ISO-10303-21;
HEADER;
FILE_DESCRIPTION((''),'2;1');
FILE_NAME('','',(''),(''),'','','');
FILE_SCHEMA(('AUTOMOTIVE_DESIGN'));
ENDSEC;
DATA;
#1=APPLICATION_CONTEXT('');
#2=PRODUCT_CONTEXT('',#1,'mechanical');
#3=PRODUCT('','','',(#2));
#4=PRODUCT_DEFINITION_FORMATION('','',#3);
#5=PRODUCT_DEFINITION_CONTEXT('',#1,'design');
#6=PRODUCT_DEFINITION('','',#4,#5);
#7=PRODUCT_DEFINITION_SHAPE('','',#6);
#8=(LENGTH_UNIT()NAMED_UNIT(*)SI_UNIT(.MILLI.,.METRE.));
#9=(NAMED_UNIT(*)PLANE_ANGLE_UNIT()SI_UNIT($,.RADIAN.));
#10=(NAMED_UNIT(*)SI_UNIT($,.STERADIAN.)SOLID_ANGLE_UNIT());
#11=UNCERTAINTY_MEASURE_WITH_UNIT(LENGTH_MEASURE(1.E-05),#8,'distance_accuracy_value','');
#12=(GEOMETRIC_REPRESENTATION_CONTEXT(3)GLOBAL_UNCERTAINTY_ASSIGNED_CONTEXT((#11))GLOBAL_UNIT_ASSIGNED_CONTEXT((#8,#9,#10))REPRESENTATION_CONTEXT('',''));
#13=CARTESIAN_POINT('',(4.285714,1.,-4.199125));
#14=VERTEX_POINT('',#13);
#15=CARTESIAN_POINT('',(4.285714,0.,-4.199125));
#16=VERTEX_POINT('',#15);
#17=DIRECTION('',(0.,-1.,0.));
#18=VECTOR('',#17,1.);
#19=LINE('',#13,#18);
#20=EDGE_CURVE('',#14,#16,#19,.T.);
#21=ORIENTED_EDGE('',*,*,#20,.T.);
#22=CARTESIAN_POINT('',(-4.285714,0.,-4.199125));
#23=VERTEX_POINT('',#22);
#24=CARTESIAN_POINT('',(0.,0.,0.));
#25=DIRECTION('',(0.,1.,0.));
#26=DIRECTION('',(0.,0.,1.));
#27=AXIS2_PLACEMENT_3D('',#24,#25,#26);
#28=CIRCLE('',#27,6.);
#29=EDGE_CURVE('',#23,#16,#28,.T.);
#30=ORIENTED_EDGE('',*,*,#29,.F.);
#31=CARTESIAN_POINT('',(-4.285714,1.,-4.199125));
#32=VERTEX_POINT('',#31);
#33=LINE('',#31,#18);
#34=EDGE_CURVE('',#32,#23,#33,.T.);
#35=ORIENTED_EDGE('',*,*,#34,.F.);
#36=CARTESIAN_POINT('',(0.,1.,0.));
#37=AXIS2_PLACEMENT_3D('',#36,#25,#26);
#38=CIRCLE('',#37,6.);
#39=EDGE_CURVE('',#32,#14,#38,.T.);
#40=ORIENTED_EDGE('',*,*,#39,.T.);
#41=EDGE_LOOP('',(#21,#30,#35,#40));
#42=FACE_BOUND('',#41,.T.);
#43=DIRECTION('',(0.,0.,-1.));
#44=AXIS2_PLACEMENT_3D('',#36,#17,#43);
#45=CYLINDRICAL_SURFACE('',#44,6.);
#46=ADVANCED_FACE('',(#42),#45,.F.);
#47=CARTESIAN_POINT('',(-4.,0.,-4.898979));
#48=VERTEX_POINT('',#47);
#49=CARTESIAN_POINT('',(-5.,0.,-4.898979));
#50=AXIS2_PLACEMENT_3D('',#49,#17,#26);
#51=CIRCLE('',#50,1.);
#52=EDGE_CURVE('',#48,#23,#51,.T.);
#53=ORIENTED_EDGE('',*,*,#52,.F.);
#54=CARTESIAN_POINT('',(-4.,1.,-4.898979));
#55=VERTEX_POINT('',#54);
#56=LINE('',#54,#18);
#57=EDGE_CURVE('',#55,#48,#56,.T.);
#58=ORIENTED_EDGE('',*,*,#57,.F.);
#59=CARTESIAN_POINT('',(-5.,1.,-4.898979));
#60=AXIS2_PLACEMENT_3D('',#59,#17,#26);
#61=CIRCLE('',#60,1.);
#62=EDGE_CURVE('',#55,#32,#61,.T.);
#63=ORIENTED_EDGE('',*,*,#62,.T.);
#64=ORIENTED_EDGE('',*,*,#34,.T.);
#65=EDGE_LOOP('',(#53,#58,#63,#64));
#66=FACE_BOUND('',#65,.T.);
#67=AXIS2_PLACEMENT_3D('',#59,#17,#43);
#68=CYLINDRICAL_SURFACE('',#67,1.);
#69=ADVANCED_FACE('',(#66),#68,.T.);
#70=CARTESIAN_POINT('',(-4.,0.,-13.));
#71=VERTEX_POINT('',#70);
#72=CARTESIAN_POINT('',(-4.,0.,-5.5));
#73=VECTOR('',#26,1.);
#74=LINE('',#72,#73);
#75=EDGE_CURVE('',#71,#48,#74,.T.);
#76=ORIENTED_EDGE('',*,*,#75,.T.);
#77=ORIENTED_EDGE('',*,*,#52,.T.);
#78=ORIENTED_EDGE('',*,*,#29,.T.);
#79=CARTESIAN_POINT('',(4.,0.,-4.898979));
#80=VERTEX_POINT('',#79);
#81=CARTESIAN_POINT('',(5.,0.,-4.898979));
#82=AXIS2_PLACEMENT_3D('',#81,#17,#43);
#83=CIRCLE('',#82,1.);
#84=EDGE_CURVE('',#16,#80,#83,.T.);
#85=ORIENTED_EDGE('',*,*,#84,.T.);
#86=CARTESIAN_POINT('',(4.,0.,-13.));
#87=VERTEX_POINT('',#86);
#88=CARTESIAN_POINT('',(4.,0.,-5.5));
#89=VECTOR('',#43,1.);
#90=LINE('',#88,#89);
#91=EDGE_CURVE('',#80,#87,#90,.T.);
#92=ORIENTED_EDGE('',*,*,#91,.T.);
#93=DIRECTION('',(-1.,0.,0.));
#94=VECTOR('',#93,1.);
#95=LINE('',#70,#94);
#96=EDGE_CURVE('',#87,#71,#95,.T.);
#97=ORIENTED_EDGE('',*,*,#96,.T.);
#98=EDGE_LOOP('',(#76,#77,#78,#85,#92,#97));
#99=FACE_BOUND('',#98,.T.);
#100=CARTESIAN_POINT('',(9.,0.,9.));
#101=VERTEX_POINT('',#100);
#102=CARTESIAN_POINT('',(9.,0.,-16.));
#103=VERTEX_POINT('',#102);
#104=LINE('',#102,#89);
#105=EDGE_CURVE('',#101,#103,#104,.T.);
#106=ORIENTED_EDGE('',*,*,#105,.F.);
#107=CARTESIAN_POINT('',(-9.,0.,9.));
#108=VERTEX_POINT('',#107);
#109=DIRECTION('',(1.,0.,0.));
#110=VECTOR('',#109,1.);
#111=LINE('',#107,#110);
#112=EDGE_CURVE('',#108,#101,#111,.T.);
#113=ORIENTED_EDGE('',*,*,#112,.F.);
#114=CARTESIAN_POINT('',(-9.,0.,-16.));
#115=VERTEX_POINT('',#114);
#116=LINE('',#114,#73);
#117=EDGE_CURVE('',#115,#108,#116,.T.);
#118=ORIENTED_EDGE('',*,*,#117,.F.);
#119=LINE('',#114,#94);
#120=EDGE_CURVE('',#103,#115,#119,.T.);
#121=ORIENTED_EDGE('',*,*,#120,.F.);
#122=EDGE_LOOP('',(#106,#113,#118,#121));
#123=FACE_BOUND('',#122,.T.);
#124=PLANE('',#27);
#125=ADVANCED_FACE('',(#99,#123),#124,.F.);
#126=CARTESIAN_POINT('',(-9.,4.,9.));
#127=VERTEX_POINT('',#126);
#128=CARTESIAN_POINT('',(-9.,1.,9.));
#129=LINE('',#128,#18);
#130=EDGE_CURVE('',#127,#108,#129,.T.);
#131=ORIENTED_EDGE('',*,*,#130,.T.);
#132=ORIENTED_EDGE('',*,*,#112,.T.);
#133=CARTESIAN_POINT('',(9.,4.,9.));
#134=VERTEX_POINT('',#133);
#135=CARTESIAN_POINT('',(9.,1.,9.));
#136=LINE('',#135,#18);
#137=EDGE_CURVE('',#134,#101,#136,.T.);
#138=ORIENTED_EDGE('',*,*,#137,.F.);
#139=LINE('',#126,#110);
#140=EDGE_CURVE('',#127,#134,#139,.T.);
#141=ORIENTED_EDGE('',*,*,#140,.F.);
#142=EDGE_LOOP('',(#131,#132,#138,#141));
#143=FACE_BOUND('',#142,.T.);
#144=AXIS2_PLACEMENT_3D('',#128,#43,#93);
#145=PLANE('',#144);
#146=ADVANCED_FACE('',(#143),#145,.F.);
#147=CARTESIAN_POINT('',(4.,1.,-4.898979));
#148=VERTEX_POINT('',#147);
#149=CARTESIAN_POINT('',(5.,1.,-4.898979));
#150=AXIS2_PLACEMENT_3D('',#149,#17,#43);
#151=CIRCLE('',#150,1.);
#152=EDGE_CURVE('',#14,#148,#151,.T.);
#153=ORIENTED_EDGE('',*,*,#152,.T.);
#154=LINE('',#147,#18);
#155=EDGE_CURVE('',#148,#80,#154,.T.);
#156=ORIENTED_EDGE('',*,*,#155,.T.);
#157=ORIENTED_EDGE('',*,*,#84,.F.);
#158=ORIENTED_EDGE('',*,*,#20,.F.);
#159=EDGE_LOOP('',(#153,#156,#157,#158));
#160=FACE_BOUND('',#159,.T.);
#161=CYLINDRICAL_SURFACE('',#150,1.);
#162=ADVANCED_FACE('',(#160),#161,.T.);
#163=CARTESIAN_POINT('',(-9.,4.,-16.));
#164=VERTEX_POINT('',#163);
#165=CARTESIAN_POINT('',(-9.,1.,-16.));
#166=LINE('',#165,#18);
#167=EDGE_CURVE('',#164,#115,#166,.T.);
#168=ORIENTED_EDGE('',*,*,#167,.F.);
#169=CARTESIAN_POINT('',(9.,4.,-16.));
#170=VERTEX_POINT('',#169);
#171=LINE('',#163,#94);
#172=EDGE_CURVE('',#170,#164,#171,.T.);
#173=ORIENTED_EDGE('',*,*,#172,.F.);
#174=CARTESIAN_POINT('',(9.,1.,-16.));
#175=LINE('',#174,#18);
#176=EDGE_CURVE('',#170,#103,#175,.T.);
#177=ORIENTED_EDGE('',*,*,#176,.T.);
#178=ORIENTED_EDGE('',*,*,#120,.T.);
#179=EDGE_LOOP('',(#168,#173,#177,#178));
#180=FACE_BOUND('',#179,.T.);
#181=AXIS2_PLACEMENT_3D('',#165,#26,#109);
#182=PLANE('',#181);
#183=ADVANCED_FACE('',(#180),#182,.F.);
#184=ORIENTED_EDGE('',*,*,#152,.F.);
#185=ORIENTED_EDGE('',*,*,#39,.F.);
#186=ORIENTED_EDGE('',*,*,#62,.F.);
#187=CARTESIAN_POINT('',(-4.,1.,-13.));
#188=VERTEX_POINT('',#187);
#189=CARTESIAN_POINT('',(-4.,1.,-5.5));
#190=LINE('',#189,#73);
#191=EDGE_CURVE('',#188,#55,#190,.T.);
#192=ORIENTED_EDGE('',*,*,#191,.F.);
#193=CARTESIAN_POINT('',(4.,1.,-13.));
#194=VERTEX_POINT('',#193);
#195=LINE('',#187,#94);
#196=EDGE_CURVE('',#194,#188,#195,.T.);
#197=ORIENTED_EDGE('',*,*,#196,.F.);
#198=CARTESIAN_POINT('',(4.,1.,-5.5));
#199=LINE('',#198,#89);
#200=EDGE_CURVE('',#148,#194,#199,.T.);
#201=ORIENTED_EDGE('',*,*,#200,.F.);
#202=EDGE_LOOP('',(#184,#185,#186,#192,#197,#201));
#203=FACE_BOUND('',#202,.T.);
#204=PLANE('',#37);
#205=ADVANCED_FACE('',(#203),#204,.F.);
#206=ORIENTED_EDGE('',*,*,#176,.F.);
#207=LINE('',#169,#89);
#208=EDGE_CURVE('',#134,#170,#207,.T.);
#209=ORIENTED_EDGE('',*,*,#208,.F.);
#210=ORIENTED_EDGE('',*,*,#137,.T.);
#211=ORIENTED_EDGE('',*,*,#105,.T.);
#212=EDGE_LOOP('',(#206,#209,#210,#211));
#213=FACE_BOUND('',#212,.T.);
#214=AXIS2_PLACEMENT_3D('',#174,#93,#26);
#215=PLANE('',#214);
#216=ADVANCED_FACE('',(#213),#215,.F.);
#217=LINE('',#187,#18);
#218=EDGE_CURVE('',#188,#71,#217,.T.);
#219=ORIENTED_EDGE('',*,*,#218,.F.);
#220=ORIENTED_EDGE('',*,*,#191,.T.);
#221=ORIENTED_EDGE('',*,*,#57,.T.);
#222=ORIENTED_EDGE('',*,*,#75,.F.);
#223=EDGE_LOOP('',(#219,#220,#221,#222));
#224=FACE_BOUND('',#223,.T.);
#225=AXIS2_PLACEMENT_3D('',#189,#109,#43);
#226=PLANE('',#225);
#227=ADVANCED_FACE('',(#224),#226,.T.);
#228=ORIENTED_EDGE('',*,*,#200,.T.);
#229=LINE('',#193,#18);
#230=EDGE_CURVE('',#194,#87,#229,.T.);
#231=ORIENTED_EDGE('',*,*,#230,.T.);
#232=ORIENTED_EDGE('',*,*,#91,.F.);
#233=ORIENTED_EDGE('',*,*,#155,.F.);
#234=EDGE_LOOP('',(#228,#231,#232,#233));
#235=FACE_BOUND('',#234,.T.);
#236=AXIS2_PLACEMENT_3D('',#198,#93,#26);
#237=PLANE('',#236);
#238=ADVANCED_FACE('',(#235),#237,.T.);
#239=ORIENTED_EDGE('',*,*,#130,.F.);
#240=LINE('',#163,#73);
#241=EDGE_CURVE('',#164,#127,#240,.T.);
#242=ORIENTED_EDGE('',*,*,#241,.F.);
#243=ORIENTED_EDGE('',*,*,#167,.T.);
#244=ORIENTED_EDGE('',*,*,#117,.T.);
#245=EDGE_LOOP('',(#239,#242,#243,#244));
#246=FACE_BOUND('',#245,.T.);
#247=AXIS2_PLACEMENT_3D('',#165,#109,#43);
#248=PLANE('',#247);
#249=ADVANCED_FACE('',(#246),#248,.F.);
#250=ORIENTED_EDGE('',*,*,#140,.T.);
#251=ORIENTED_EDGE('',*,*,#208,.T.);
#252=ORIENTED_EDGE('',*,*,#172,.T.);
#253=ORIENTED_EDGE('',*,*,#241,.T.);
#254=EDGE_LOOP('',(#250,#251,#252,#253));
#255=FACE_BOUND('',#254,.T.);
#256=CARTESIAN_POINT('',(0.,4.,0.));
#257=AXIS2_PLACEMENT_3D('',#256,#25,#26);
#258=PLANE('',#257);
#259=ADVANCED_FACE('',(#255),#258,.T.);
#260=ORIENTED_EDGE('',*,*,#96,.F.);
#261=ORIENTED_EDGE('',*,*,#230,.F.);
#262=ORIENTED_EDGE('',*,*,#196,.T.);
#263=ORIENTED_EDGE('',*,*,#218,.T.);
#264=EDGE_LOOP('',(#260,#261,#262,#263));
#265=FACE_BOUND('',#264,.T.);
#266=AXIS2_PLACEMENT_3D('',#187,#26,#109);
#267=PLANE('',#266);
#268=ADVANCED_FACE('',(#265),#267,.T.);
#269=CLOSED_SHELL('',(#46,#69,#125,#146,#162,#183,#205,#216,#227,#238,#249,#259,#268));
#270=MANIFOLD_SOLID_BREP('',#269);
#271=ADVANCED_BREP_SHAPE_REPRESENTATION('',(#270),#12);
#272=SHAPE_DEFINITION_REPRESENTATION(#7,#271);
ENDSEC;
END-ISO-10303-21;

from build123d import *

# Parameters (mm, degrees)
SKETCH1_W           = 18
SKETCH1_H           = 25
BOSS_EXTRUDE1_DEPTH = 1
SKETCH2_W           = 18
SKETCH2_H           = 25
BOSS_EXTRUDE2_DEPTH = 3


with BuildPart() as part:
    # Sketch1 → Boss-Extrude1 (new body)
    with BuildSketch(Plane(origin=(0, 0, 0), x_dir=(1, 0, 0), z_dir=(0, 1, 0))):
        with Locations((0, 3.5)):
            Rectangle(SKETCH1_W, SKETCH1_H)
        with BuildLine():
            Line((-4, 13), (4, 13))
            Line((4, 13), (4, 5.5))
            Line((4, 5.5), (4, 4.898979486))
            ThreePointArc((4, 4.898979486), (4.0741799, 4.521015013), (4.285714286, 4.199125273))
            ThreePointArc((4.285714286, 4.199125273), (0, -6), (-4.285714286, 4.199125273))
            ThreePointArc((-4.285714286, 4.199125273), (-4.0741799, 4.521015013), (-4, 4.898979486))
            Line((-4, 4.898979486), (-4, 5.5))
            Line((-4, 5.5), (-4, 13))
        make_face(mode=Mode.SUBTRACT)
    extrude(amount=BOSS_EXTRUDE1_DEPTH)

    # Sketch2 → Boss-Extrude2 (add)
    with BuildSketch(Plane(origin=(0, 1, 0), x_dir=(1, 0, 0), z_dir=(0, 1, 0))):
        with Locations((0, 3.5)):
            Rectangle(SKETCH2_W, SKETCH2_H)
    extrude(amount=BOSS_EXTRUDE2_DEPTH)


solid = part.part
